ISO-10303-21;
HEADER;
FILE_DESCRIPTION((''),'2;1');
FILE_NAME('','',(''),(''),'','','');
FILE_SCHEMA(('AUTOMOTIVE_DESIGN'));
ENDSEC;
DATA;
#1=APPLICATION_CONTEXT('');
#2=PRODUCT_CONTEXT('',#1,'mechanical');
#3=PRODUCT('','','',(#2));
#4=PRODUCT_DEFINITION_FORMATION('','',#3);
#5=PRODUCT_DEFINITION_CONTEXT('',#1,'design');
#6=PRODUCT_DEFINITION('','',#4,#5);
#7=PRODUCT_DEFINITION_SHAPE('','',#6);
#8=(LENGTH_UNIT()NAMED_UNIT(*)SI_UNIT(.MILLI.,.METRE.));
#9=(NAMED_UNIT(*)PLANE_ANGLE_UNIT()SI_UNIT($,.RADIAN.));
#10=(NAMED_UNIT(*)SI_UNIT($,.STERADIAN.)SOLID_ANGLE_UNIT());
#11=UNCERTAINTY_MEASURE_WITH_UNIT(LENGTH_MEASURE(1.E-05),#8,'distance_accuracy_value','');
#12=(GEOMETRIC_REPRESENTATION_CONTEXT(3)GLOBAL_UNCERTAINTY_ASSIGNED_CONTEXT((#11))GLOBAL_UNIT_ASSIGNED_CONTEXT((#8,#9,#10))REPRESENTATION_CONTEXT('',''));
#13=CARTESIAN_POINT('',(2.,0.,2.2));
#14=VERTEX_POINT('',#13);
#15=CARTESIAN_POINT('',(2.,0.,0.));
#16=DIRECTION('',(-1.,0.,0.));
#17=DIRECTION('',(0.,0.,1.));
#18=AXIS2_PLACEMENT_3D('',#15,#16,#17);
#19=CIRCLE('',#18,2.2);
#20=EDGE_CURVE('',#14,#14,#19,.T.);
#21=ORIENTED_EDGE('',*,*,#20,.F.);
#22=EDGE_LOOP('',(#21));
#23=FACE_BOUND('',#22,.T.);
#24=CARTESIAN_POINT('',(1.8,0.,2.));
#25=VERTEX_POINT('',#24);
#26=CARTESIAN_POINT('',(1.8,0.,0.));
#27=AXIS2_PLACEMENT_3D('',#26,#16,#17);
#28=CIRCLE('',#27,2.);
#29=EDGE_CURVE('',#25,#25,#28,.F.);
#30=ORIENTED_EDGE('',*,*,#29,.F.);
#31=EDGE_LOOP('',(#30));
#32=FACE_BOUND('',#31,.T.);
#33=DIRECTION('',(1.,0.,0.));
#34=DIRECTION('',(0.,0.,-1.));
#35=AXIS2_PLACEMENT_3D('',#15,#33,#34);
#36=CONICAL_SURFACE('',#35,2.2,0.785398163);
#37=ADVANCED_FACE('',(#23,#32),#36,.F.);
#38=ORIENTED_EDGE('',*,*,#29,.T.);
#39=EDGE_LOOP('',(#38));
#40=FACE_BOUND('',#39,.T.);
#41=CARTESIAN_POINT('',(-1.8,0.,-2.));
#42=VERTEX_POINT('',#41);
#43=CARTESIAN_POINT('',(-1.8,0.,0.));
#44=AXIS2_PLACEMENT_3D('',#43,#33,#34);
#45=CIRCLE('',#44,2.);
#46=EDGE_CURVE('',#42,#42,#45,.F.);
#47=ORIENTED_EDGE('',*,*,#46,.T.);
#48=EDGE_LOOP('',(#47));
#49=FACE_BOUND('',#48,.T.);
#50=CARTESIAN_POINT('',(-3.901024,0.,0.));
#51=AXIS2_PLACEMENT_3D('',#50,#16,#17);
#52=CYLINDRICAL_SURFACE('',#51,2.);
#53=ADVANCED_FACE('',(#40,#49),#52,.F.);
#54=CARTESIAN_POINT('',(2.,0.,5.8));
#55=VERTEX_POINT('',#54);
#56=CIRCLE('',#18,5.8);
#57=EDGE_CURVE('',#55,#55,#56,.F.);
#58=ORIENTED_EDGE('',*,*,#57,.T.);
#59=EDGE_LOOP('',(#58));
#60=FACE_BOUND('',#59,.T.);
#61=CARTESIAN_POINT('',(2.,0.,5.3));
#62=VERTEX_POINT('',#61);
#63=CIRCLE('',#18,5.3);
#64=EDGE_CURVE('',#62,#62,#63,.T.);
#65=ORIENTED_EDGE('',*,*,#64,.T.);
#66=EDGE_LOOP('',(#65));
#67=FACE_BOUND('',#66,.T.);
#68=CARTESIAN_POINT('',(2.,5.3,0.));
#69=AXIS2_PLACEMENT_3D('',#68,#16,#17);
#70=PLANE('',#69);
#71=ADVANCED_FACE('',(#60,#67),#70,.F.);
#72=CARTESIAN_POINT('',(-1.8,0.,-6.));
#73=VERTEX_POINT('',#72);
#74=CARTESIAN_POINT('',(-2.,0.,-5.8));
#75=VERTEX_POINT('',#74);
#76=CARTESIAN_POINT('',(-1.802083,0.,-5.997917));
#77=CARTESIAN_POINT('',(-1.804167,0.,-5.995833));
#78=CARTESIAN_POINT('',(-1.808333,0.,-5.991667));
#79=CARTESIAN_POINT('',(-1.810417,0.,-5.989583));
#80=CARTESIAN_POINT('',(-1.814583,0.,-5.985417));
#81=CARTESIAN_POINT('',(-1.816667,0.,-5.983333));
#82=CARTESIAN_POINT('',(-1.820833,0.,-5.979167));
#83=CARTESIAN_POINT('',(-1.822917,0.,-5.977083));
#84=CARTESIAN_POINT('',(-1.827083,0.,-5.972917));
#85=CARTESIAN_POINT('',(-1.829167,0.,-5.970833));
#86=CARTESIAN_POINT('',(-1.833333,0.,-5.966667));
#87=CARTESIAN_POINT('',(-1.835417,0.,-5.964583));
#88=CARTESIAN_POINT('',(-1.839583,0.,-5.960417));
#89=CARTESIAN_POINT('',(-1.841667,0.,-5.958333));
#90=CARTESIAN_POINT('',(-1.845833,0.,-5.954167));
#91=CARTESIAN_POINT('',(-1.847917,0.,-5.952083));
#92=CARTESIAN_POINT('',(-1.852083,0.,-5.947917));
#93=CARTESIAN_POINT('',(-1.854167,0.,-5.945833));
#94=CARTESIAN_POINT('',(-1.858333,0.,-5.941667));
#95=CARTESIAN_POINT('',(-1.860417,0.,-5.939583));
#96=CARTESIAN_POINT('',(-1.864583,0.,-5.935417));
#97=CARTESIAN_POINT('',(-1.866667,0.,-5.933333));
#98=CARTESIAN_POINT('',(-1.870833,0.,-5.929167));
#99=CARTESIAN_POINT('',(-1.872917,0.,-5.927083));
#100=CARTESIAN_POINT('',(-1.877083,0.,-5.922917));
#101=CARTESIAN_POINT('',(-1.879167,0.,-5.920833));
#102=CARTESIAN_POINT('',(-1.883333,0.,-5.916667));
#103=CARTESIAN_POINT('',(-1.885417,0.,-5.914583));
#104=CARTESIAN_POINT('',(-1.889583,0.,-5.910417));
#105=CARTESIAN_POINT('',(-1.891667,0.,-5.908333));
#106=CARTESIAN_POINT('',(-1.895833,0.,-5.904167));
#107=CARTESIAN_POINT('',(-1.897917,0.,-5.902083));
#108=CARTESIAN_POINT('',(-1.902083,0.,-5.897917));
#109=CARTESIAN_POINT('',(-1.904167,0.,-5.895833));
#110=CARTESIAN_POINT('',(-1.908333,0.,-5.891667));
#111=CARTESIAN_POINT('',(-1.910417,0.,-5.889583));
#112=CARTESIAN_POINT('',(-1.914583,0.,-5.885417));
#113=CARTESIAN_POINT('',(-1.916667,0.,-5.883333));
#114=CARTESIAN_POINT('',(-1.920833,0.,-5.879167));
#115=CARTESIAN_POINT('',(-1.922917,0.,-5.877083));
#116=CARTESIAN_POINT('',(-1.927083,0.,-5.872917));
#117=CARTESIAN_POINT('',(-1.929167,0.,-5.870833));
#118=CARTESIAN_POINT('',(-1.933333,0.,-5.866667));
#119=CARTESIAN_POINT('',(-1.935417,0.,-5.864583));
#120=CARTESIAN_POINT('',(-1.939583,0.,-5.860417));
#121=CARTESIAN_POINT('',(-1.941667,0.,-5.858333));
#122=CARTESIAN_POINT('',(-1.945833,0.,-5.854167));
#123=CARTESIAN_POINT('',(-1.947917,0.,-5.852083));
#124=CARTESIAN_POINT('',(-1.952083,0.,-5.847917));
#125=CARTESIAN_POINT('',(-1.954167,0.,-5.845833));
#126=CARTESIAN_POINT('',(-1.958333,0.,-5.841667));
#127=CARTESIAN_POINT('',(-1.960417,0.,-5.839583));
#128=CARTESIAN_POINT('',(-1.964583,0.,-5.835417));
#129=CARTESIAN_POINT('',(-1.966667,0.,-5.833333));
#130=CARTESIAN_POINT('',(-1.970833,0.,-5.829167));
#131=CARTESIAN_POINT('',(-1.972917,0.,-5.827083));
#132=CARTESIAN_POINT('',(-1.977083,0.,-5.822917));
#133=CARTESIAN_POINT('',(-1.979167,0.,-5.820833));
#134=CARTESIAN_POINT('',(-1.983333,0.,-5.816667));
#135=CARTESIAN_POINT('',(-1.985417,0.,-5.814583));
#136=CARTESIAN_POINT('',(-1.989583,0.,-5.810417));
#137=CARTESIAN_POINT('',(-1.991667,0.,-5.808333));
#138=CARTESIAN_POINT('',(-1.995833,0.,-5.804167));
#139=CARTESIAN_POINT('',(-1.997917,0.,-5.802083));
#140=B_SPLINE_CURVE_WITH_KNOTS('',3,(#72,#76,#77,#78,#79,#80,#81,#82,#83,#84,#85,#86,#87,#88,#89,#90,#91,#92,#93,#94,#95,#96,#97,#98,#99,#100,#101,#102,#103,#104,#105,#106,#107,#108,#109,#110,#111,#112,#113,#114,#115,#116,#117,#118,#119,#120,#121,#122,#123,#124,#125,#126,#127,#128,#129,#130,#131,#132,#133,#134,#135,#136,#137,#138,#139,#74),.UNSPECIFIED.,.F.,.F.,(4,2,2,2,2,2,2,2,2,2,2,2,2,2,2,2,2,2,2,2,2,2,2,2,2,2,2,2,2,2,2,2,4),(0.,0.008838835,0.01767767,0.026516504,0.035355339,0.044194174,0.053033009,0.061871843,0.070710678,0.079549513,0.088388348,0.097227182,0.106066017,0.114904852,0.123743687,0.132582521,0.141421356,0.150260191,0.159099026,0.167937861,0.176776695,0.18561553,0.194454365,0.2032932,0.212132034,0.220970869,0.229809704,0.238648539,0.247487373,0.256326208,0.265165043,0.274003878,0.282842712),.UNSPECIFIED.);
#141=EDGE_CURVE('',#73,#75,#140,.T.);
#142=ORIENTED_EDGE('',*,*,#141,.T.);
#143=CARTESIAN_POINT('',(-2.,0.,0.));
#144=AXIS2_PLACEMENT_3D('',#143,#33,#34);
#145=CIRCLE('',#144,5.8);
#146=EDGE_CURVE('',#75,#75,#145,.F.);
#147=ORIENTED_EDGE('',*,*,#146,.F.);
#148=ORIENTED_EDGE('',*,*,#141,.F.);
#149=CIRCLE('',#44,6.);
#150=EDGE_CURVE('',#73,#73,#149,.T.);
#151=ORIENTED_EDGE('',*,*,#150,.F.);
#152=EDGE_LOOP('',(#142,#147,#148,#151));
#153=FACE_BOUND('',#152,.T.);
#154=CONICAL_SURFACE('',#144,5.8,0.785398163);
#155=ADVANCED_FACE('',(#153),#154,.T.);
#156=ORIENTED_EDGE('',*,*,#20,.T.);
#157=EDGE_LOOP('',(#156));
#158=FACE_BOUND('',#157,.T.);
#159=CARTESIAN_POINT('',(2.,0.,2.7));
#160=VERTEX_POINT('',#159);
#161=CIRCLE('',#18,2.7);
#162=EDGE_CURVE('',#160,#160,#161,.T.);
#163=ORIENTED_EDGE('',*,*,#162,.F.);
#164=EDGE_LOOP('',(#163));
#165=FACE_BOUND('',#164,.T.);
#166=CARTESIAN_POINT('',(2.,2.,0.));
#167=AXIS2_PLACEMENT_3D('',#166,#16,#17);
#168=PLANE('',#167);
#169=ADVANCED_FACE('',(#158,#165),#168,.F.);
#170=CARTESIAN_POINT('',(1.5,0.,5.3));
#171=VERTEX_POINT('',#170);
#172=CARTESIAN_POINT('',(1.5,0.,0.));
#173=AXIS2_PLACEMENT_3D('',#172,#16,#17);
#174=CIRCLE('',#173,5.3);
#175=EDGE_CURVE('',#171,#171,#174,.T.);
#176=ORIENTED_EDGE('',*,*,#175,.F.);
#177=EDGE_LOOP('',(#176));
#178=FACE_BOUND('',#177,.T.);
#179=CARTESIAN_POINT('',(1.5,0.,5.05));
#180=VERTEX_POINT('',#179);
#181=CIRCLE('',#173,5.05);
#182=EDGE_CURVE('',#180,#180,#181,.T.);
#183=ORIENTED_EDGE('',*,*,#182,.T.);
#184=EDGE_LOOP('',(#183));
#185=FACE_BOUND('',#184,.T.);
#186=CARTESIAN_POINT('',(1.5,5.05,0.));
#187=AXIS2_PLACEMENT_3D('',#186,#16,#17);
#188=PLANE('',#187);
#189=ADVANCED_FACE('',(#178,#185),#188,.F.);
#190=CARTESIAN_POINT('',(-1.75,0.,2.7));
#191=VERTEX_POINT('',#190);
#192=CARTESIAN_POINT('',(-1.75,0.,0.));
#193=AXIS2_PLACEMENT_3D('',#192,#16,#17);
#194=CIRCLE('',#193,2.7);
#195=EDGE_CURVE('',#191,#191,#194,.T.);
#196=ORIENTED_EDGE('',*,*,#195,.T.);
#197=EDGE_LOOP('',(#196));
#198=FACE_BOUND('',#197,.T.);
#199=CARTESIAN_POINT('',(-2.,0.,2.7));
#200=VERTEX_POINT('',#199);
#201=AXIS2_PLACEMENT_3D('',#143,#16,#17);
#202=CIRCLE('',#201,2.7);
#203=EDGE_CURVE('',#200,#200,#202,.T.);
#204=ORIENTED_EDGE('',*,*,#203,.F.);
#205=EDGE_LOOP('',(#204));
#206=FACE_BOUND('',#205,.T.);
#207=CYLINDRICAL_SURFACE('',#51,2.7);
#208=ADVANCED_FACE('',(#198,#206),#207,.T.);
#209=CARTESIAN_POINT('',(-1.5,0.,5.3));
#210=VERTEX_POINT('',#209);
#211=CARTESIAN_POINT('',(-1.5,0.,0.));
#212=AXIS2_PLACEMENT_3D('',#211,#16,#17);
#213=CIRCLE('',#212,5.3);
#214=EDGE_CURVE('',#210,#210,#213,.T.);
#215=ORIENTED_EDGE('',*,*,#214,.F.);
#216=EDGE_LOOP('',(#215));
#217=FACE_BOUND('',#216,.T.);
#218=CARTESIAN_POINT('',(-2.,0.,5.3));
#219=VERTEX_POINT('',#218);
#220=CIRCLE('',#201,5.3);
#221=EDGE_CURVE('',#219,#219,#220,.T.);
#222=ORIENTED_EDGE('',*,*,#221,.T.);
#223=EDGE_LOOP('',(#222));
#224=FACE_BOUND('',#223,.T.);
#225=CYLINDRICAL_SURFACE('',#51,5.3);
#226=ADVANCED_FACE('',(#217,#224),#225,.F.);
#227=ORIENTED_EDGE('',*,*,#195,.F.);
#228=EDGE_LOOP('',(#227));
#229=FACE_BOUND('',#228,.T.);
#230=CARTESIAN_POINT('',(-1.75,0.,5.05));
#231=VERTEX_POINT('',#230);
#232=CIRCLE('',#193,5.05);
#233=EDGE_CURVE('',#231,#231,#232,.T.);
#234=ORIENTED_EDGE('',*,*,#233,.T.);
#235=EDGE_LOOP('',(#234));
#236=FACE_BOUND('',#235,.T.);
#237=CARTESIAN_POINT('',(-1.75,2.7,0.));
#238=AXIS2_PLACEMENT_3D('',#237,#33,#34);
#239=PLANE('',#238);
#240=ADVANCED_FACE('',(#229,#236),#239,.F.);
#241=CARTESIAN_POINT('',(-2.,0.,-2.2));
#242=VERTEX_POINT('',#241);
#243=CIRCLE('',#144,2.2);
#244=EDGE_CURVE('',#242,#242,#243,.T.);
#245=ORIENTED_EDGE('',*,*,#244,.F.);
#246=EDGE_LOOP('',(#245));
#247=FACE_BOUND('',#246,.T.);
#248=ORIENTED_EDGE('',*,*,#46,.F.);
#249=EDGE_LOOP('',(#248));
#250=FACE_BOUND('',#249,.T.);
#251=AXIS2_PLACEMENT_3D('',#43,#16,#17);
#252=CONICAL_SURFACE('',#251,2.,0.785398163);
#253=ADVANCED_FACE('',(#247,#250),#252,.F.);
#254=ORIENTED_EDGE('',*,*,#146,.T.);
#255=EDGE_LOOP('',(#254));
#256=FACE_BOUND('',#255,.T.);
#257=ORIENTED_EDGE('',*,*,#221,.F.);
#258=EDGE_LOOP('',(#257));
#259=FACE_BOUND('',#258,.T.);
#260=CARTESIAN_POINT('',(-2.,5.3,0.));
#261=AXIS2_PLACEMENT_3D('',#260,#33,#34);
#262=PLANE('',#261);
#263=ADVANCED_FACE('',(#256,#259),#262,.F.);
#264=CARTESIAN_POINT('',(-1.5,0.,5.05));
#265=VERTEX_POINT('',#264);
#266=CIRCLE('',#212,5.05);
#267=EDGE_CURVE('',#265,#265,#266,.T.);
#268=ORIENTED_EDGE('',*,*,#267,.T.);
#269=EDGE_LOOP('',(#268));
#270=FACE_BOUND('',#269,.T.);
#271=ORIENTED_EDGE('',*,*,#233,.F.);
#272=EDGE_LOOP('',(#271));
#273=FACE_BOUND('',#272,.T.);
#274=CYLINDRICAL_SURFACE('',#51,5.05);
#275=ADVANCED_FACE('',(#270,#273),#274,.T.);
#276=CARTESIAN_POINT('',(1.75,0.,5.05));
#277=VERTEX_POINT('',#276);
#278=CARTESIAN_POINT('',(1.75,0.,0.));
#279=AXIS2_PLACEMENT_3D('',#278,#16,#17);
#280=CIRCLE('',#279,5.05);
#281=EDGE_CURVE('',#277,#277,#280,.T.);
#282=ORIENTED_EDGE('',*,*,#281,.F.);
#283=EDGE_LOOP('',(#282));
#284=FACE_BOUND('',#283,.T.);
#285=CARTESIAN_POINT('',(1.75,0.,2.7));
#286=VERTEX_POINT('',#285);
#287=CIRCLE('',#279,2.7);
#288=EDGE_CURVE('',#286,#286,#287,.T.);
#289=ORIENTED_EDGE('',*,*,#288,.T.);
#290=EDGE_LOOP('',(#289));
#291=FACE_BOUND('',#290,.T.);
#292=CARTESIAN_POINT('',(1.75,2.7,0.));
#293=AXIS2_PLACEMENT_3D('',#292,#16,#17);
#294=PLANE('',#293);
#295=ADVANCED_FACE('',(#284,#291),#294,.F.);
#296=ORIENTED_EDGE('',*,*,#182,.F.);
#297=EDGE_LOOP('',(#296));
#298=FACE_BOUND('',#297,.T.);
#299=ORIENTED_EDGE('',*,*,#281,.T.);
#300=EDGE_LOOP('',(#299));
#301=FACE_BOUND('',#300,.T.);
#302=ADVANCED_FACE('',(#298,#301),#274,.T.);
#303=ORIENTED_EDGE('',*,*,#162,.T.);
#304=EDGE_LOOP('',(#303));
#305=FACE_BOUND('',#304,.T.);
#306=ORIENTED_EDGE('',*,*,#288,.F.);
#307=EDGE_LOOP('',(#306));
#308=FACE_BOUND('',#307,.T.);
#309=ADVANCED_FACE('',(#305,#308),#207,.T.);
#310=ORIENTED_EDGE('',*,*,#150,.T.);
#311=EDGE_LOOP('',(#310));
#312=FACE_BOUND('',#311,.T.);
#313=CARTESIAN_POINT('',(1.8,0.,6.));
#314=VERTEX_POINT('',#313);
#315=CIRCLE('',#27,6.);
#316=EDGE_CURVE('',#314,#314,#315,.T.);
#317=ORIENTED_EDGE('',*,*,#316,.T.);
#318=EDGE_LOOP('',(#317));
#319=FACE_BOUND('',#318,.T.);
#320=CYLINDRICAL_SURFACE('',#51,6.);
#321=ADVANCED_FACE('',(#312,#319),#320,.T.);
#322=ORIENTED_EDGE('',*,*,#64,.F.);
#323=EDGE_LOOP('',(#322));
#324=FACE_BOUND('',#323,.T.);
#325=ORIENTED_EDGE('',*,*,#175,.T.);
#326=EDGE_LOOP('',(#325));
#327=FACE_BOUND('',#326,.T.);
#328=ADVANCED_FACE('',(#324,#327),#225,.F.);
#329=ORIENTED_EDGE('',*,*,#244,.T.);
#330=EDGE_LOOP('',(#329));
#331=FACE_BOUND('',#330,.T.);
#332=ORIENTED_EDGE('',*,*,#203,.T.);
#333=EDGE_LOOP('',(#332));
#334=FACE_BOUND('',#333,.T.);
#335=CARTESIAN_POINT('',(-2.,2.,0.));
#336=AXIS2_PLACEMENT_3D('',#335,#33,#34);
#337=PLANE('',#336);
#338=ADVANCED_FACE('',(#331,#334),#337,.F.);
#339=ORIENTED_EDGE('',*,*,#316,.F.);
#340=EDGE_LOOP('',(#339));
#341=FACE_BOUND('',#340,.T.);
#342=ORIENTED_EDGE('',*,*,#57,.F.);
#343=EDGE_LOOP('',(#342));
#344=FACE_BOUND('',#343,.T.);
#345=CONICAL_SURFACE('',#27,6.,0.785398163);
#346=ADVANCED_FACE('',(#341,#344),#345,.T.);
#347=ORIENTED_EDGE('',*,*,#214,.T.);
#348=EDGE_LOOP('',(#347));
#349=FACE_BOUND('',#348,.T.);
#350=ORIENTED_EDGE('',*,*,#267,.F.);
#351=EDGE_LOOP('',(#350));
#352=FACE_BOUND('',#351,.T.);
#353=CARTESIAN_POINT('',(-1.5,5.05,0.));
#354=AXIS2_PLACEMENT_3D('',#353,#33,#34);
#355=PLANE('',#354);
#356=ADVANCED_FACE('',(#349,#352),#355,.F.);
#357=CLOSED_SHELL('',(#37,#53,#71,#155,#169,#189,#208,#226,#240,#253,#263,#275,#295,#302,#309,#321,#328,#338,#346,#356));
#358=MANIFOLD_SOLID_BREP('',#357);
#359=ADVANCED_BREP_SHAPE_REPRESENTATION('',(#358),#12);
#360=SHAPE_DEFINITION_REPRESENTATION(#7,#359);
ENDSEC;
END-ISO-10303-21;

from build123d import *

# Parameters (mm, degrees)
CHAMFER_1_SIZE = 0.2


with BuildPart() as part:
    # 草图1 → 旋转1 (revolve)
    with BuildSketch(Plane.XY, mode=Mode.PRIVATE) as revolve_1_sk:
        Polygon((-2, 2), (2, 2), (2, 2.7), (1.75, 2.7), (1.75, 5.05), (1.5, 5.05), (1.5, 5.3), (2, 5.3), (2, 6), (-2, 6), (-2, 5.3), (-1.5, 5.3), (-1.5, 5.05), (-1.75, 5.05), (-1.75, 2.7), (-2, 2.7), align=None)
    revolve(revolve_1_sk.sketch.rotate(Axis((-3.90102381, 0, 0), (1, 0, 0)), 90), axis=Axis((-3.90102381, 0, 0), (1, 0, 0)))

    # 倒角1
    chamfer_1_edges = [part.edges().sort_by_distance(p)[0] for p in [
        (-2, 0, -6),
        (2, 0, -6),
        (2, 0, -2),
        (-2, 0, -2),
    ]]
    chamfer(chamfer_1_edges, length=CHAMFER_1_SIZE)


solid = part.part
